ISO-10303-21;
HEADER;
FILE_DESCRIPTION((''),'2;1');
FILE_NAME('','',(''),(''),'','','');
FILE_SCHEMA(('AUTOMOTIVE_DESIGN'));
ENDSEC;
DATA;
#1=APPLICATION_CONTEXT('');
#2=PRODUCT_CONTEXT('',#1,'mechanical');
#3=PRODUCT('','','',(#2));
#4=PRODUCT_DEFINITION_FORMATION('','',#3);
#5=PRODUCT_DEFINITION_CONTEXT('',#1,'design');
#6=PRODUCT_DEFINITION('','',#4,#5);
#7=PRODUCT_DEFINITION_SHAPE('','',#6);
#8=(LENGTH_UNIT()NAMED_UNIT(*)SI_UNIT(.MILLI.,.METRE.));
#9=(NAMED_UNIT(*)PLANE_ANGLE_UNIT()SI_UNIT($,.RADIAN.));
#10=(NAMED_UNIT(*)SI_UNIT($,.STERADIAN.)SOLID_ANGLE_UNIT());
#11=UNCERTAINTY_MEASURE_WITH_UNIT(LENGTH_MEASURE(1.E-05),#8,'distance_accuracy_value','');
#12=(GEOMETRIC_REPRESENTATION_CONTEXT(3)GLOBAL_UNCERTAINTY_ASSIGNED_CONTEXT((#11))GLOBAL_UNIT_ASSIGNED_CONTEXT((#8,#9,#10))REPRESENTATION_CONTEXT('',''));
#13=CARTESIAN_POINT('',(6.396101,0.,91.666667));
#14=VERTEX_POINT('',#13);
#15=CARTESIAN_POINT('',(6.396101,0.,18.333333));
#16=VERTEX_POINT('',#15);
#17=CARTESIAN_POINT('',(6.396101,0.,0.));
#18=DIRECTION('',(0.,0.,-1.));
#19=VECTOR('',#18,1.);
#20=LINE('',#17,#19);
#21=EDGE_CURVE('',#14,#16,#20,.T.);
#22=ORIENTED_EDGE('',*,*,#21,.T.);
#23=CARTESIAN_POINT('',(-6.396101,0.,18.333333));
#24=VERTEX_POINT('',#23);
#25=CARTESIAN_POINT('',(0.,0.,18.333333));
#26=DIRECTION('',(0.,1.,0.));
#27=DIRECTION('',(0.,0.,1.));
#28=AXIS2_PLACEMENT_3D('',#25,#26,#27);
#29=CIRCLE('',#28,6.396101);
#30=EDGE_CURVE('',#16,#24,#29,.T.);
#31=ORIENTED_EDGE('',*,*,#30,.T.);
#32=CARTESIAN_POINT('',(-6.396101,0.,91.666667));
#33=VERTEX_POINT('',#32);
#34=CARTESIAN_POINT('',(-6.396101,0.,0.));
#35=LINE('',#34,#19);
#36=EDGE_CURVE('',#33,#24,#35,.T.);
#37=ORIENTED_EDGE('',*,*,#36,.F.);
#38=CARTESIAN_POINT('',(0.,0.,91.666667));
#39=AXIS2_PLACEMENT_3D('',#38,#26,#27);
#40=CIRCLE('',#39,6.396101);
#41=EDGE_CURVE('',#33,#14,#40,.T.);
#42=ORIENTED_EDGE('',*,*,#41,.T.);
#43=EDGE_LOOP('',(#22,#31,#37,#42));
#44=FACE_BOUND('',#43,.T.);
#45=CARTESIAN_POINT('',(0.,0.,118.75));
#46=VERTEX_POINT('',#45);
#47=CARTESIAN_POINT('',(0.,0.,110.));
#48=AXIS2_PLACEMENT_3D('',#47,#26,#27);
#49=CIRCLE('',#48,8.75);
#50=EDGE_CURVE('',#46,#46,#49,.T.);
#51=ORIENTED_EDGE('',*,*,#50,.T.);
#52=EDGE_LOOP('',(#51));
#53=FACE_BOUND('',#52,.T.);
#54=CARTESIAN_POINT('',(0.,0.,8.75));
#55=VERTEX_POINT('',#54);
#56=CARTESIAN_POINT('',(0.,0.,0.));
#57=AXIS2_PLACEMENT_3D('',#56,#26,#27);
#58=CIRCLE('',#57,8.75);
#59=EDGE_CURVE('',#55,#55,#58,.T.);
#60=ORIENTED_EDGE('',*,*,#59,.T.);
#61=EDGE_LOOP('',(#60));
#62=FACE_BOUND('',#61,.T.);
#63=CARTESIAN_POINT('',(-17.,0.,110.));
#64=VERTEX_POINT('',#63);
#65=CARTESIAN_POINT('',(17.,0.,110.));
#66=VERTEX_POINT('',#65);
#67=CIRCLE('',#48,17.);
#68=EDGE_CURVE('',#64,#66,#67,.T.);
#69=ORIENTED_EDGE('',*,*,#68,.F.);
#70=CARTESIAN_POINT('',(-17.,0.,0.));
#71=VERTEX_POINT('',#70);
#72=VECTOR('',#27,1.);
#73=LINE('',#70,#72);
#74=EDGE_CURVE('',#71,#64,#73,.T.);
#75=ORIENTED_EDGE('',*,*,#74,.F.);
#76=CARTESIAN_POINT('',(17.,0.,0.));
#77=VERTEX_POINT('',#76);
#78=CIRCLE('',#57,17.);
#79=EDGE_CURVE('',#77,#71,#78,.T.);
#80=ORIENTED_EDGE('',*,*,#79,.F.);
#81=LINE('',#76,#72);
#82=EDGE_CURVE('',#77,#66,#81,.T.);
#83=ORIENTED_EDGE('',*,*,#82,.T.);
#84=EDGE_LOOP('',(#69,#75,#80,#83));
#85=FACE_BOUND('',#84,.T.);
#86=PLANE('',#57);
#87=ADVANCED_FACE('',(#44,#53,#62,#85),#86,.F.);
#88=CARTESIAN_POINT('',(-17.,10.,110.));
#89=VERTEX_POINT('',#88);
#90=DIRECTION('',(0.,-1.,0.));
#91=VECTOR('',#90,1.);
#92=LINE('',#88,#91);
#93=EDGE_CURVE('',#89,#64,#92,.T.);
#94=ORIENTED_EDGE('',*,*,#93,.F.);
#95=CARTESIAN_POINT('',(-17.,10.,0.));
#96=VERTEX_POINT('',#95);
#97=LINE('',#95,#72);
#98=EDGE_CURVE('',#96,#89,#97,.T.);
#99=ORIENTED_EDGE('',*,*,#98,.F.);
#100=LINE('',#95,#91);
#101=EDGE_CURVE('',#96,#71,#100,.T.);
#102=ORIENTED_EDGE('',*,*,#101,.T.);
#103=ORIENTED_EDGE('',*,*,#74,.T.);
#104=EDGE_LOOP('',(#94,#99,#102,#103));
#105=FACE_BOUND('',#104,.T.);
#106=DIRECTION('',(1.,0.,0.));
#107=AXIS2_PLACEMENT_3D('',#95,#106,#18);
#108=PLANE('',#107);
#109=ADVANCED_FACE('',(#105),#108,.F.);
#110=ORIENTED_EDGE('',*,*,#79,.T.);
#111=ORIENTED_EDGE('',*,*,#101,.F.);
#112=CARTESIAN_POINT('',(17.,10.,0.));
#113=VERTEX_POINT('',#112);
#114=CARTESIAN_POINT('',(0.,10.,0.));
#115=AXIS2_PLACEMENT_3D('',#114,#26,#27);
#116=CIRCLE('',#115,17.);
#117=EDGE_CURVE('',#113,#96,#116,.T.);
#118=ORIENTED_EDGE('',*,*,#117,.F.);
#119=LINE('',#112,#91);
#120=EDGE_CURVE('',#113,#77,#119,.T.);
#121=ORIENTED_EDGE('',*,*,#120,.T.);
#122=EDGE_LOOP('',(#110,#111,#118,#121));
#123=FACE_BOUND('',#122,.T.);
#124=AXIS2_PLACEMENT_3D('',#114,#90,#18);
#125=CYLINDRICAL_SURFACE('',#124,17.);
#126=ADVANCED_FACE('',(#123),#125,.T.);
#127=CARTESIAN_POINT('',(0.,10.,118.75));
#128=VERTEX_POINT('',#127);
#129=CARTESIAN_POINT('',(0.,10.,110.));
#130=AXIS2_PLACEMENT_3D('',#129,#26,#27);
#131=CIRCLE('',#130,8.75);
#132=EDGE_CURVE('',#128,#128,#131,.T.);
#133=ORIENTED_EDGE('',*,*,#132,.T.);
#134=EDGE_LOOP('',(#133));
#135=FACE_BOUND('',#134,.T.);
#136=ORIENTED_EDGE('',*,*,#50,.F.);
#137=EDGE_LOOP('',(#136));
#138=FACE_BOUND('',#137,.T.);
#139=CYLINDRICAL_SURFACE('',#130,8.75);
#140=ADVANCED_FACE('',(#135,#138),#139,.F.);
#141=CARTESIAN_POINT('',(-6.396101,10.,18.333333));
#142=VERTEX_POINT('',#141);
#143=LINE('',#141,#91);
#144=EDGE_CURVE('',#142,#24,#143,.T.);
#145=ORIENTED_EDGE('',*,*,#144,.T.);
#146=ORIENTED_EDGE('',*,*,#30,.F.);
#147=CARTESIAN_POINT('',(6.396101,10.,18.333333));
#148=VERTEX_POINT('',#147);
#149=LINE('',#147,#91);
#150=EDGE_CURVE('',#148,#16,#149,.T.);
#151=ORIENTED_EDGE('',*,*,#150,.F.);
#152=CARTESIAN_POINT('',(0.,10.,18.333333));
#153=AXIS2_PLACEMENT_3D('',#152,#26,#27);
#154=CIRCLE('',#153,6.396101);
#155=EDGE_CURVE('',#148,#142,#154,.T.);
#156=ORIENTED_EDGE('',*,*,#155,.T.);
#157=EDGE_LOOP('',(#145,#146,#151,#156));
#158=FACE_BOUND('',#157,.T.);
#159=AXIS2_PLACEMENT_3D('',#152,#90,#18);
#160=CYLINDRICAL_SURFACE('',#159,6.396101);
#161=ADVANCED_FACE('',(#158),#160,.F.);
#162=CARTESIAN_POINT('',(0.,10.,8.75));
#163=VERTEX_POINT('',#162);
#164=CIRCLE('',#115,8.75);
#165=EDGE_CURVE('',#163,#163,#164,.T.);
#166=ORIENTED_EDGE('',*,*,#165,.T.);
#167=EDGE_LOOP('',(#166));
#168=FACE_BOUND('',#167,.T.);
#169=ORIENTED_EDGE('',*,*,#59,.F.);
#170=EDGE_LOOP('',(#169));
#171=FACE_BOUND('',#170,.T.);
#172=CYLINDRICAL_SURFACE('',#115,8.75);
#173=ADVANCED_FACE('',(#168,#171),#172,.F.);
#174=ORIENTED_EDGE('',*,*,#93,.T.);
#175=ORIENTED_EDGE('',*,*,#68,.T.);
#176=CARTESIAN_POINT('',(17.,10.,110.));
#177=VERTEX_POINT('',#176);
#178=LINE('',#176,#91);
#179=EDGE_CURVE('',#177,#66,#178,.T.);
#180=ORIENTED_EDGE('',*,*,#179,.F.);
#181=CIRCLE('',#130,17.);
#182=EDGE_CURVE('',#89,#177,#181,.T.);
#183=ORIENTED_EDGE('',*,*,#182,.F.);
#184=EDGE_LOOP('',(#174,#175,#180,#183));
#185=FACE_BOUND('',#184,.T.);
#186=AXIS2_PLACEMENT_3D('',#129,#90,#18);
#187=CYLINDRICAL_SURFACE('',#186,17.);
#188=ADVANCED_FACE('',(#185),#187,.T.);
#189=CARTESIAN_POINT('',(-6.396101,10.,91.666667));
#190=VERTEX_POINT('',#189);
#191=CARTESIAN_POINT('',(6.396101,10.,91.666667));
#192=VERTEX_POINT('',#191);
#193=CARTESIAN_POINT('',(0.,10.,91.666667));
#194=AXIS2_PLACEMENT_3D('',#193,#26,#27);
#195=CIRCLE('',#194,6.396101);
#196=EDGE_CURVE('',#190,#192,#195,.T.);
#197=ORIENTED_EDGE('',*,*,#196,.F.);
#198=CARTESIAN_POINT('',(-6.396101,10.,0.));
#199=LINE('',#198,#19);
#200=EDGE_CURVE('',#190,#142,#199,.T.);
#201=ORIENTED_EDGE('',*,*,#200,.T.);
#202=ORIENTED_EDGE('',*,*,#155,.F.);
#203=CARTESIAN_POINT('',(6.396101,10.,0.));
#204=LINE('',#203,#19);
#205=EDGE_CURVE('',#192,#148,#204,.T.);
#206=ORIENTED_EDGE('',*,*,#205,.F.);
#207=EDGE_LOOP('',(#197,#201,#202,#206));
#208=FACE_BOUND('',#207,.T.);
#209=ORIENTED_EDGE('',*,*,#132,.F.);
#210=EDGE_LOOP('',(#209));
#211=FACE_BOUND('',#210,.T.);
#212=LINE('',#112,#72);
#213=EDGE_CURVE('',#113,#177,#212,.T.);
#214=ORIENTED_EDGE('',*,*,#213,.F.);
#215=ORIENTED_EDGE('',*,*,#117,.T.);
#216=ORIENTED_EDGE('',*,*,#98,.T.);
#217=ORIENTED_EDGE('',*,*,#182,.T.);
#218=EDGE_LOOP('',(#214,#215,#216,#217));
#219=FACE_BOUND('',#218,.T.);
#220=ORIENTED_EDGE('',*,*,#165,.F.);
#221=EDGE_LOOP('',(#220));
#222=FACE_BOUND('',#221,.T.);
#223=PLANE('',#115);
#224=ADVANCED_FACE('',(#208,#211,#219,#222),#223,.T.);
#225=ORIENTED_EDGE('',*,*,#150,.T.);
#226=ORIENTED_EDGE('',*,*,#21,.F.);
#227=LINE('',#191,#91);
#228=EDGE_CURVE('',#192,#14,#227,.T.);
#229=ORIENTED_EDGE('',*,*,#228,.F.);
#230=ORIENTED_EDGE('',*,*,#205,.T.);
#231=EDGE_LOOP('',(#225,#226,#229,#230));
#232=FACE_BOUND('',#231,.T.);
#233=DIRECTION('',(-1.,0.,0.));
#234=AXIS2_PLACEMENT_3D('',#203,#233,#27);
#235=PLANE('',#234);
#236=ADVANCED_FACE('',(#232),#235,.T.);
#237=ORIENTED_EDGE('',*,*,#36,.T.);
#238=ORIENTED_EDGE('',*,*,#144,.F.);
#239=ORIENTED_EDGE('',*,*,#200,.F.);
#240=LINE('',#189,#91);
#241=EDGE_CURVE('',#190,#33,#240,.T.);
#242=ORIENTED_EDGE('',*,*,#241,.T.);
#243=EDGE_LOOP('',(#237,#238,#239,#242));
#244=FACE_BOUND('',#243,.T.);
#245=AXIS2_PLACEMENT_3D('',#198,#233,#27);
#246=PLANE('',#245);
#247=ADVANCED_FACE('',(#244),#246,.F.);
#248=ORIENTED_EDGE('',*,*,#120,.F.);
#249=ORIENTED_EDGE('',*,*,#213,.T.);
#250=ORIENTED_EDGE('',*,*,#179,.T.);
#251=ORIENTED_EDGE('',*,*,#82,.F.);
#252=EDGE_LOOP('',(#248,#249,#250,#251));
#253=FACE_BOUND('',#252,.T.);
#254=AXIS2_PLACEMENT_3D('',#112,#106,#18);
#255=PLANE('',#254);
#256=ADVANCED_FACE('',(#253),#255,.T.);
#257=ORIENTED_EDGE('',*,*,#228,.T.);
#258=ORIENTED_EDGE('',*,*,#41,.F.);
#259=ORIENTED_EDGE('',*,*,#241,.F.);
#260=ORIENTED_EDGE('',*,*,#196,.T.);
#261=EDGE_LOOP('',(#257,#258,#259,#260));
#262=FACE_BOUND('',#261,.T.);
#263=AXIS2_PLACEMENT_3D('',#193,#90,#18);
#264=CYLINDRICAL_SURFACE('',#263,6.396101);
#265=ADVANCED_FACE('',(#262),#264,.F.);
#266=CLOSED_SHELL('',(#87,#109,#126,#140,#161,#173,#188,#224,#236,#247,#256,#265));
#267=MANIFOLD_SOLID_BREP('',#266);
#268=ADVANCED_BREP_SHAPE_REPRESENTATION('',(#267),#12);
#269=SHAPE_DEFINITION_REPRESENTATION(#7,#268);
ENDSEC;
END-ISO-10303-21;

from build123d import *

# Parameters (mm, degrees)
BOSS_EXTRUDE1_DEPTH             = 10
M16_CLEARANCE_HOLE1_D           = 17.5
M16_CLEARANCE_HOLE1_ON_FACE_2_D = 17.5


with BuildPart() as part:
    # Sketch1 → Boss-Extrude1 (new body)
    with BuildSketch(Plane(origin=(0, 0, 0), x_dir=(1, 0, 0), z_dir=(0, 1, 0))):
        with BuildLine():
            Line((17, 0), (17, -110))
            ThreePointArc((17, -110), (0, -127), (-17, -110))
            Line((-17, -110), (-17, 0))
            ThreePointArc((-17, 0), (0, 17), (17, 0))
        make_face()
        with BuildLine():
            Line((-6.39610115, -91.666666667), (-6.39610115, -18.333333333))
            ThreePointArc((-6.39610115, -18.333333333), (0, -11.937232183), (6.39610115, -18.333333333))
            Line((6.39610115, -18.333333333), (6.39610115, -91.666666667))
            ThreePointArc((6.39610115, -91.666666667), (0, -98.062767817), (-6.39610115, -91.666666667))
        make_face(mode=Mode.SUBTRACT)
    extrude(amount=BOSS_EXTRUDE1_DEPTH)

    # M16 Clearance Hole1 (through all)
    with Locations(Plane(origin=(0, 10, 110), x_dir=(0, 0, 1), z_dir=(0, 1, 0))):
        with Locations((0, 0), (-110, 0)):
            Hole(M16_CLEARANCE_HOLE1_D / 2)

    # M16 Clearance Hole1 on face 2 (through all)
    with Locations(Plane(origin=(0, 0, 0), x_dir=(0, 0, -1), z_dir=(0, -1, 0))):
        with Locations((0, 0)):
            Hole(M16_CLEARANCE_HOLE1_ON_FACE_2_D / 2)


solid = part.part
